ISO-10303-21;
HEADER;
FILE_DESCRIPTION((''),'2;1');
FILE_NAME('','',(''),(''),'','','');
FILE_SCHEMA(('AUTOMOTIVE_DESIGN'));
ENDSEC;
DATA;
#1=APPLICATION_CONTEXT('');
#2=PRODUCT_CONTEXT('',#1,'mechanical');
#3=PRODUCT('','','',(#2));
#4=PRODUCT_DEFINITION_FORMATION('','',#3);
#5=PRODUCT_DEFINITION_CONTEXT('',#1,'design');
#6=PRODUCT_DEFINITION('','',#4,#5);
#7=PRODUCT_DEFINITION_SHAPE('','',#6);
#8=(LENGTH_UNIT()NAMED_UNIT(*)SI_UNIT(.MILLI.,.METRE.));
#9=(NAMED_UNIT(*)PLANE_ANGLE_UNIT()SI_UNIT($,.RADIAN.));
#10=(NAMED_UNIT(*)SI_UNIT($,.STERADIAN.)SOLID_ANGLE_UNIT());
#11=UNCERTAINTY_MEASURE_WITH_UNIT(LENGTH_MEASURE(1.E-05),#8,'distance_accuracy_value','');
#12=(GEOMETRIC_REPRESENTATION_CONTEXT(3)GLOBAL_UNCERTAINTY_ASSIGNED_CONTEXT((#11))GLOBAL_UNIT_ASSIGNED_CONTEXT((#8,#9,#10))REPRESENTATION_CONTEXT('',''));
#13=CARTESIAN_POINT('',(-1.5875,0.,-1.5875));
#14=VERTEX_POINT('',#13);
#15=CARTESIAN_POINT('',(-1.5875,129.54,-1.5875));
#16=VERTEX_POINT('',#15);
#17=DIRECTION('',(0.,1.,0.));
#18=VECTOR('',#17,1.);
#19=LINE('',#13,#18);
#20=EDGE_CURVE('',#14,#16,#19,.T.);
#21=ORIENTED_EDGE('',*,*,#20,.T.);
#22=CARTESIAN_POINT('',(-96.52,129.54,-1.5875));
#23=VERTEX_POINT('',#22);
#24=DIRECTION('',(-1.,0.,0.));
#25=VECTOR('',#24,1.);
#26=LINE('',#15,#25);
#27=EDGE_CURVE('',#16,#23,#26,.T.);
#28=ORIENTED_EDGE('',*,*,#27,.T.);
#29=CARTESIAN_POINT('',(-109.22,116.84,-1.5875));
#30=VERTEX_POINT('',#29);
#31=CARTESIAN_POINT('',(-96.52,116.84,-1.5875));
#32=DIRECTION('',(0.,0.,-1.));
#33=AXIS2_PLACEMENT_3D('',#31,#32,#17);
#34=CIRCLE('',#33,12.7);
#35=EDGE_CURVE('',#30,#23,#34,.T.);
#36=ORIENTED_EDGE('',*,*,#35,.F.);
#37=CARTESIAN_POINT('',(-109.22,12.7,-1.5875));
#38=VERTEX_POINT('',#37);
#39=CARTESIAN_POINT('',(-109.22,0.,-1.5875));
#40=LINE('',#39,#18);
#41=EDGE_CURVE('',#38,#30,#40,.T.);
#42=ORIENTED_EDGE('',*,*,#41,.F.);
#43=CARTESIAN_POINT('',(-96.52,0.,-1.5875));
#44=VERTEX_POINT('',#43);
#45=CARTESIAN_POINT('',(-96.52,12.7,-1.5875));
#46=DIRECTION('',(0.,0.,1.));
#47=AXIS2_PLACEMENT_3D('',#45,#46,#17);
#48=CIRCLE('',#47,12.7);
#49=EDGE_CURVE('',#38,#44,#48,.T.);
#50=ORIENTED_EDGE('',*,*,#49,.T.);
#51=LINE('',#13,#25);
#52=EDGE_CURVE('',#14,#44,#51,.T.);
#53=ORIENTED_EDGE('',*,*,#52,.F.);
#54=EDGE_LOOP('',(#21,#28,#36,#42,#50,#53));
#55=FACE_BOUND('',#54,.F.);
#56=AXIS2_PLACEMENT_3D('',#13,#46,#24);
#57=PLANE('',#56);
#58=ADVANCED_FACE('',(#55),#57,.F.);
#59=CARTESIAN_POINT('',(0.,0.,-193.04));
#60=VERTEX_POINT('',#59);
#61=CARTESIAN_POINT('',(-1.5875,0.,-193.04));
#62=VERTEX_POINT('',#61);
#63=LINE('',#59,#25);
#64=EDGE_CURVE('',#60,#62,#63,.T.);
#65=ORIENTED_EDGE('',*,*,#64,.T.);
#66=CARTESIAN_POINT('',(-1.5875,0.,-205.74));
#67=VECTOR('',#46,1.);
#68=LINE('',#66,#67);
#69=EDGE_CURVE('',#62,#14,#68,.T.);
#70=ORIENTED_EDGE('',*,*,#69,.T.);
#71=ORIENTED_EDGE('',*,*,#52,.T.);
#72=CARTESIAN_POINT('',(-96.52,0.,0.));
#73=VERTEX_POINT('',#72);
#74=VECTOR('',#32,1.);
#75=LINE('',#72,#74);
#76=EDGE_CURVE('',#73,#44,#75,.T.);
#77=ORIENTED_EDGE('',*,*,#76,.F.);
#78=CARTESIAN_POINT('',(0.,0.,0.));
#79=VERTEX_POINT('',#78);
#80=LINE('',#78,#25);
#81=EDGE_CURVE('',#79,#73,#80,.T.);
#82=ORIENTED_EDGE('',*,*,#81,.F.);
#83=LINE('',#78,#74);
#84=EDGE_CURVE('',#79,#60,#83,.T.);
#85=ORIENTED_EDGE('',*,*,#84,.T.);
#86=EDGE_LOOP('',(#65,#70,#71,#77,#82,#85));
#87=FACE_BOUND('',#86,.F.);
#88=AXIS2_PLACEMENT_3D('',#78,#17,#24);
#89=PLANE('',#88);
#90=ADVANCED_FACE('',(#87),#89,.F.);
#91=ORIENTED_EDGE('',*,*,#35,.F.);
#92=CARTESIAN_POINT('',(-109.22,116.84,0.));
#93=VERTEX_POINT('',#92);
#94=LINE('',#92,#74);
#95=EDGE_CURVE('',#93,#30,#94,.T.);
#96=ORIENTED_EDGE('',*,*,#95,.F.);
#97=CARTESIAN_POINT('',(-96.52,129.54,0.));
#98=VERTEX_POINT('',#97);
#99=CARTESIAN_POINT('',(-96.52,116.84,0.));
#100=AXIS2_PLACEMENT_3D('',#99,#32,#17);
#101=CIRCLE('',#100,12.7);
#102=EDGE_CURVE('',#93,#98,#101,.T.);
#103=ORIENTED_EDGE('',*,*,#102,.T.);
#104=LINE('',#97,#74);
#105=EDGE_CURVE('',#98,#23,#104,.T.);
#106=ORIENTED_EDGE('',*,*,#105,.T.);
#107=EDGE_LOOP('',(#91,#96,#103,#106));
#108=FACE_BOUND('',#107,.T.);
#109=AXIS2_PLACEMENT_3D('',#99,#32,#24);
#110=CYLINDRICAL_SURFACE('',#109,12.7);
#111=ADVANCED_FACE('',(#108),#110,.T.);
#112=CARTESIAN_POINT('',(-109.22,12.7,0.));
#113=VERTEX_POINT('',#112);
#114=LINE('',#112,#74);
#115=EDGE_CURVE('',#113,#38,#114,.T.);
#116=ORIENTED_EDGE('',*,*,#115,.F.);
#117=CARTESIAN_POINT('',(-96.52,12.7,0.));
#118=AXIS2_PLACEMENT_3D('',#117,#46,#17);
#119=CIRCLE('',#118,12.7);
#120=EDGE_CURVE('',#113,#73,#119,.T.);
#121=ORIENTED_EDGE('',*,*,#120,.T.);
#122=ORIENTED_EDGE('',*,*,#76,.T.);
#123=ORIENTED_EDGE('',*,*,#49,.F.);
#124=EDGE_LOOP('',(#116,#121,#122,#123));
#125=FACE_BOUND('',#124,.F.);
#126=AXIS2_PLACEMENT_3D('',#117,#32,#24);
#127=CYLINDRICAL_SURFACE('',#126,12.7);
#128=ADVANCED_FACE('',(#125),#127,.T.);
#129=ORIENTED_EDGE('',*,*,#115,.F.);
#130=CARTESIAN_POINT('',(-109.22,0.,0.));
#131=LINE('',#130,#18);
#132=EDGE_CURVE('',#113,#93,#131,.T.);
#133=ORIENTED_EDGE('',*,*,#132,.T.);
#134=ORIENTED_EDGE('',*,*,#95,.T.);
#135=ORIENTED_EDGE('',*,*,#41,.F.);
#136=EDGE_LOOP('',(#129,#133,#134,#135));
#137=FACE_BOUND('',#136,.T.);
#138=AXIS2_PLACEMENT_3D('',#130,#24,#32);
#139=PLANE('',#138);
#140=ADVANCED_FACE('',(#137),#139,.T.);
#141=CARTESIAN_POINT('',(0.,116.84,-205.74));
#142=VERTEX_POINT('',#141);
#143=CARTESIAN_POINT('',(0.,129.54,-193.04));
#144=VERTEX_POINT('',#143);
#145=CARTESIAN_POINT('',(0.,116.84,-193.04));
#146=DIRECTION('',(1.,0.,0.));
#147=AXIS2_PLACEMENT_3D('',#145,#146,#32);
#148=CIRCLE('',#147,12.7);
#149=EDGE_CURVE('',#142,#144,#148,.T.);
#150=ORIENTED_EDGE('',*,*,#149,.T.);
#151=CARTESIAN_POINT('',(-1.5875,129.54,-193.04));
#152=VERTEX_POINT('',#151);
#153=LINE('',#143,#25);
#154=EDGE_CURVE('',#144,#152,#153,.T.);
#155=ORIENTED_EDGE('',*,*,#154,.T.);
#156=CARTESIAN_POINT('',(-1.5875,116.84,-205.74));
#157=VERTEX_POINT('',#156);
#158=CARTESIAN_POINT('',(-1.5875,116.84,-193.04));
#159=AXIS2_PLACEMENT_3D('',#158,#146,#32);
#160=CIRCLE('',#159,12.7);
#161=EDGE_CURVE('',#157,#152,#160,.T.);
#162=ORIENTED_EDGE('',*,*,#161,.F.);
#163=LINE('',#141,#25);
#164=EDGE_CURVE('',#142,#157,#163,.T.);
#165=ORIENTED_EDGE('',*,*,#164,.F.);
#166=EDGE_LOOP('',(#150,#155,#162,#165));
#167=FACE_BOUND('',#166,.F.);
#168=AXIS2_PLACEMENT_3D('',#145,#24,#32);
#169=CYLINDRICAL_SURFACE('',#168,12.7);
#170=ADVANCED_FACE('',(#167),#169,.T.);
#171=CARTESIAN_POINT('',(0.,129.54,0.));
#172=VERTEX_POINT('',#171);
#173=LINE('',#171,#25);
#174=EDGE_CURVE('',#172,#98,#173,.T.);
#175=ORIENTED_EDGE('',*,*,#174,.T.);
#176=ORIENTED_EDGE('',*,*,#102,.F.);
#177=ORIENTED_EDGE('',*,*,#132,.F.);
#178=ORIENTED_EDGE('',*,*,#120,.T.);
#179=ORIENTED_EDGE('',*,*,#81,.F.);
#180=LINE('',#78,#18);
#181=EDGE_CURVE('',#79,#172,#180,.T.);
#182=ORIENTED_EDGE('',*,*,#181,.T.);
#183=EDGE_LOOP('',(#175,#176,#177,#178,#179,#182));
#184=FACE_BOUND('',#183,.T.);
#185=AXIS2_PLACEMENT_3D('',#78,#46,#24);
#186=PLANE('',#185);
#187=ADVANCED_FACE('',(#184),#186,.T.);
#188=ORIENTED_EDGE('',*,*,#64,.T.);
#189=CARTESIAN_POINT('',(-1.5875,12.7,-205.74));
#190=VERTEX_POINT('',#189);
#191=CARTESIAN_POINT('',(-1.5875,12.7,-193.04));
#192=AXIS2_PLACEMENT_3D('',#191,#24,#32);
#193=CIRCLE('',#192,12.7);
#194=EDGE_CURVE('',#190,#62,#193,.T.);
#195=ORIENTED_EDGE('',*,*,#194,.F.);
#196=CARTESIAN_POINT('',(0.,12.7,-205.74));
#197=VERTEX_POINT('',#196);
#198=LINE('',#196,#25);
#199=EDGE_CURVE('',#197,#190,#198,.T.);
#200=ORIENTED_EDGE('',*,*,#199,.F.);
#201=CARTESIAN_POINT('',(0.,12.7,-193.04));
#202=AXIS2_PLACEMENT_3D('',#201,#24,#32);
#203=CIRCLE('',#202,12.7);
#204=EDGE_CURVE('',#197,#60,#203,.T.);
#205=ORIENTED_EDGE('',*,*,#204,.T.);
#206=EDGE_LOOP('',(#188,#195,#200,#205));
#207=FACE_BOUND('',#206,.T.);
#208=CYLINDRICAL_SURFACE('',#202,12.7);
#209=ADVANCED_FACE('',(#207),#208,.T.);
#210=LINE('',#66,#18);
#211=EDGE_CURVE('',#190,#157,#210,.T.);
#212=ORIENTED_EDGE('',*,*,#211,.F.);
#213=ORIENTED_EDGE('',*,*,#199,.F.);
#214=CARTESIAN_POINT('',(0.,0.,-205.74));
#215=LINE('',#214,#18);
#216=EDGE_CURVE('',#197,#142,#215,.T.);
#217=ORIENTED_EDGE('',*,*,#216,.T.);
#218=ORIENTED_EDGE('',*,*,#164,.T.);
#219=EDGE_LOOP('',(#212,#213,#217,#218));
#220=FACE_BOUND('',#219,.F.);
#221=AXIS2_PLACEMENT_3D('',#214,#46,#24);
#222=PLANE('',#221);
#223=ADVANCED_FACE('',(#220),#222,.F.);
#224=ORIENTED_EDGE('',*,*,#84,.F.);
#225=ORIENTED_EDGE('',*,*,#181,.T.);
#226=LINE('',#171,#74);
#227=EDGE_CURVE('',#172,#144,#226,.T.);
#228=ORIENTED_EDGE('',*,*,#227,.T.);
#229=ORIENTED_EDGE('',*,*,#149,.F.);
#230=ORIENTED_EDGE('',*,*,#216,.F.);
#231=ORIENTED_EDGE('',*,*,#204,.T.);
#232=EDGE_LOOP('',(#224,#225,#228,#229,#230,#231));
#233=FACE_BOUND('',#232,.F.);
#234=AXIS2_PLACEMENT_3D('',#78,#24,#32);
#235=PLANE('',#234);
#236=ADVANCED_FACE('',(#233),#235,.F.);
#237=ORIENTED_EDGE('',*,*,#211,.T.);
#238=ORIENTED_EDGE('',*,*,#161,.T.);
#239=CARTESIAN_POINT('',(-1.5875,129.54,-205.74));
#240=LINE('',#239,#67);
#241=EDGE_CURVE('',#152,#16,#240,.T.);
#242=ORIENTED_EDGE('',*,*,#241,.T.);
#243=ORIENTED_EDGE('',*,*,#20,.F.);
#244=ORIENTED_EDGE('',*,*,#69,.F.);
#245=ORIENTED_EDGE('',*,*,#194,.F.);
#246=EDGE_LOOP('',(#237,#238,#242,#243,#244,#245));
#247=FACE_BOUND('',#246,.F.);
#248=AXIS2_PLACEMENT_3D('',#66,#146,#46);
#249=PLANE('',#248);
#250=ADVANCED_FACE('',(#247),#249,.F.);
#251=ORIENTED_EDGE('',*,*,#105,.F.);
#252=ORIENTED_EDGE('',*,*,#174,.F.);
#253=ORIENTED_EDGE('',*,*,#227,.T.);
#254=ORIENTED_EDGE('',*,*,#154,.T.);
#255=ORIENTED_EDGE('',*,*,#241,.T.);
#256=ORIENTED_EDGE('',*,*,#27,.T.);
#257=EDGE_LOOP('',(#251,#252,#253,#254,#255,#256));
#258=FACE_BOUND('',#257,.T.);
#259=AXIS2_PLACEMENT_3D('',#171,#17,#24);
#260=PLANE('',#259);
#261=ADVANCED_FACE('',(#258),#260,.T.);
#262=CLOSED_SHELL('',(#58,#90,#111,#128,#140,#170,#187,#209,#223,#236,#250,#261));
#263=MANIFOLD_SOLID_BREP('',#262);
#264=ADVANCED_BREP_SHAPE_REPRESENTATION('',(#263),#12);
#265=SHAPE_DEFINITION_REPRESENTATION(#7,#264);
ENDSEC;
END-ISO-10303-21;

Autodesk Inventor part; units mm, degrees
ref_plane "YZ Plane" through (0, 0, 0) normal (1, 0, 0) x (0, 1, 0)
ref_plane "XZ Plane" through (0, 0, 0) normal (0, 1, 0) x (-1, 0, 0)
ref_plane "XY Plane" through (0, 0, 0) normal (0, 0, 1) x (1, 0, 0)
sketch "Sketch1" plane through (0, 0, 0) normal (0, 1, 0) x (-1, 0, 0)
  line L0 (0, 0) -> (0, -205.74)
  line L1 (0, 0) -> (109.22, 0)
  line L2 (1.5875, -205.74) -> (1.5875, -1.5875)
  line L3 (1.5875, -1.5875) -> (109.22, -1.5875)
  line L4 (109.22, 0) -> (109.22, -1.5875)
  line L5 (0, -205.74) -> (1.5875, -205.74)
  dimension "d0" = 205.74
  dimension "d1" = 109.22
  dimension "d2" = 1.5875
extrude "Extrusion1" add sketch "Sketch1" along normal blind 129.54
fillet "Fillet1" radius 12.7 4 edges at (-0.7938, 129.54, -205.74) (-0.7938, 0, -205.74) (-109.22, 129.54, -0.7937) (-109.22, 0, -0.7937)
properties part number "book_stand"
